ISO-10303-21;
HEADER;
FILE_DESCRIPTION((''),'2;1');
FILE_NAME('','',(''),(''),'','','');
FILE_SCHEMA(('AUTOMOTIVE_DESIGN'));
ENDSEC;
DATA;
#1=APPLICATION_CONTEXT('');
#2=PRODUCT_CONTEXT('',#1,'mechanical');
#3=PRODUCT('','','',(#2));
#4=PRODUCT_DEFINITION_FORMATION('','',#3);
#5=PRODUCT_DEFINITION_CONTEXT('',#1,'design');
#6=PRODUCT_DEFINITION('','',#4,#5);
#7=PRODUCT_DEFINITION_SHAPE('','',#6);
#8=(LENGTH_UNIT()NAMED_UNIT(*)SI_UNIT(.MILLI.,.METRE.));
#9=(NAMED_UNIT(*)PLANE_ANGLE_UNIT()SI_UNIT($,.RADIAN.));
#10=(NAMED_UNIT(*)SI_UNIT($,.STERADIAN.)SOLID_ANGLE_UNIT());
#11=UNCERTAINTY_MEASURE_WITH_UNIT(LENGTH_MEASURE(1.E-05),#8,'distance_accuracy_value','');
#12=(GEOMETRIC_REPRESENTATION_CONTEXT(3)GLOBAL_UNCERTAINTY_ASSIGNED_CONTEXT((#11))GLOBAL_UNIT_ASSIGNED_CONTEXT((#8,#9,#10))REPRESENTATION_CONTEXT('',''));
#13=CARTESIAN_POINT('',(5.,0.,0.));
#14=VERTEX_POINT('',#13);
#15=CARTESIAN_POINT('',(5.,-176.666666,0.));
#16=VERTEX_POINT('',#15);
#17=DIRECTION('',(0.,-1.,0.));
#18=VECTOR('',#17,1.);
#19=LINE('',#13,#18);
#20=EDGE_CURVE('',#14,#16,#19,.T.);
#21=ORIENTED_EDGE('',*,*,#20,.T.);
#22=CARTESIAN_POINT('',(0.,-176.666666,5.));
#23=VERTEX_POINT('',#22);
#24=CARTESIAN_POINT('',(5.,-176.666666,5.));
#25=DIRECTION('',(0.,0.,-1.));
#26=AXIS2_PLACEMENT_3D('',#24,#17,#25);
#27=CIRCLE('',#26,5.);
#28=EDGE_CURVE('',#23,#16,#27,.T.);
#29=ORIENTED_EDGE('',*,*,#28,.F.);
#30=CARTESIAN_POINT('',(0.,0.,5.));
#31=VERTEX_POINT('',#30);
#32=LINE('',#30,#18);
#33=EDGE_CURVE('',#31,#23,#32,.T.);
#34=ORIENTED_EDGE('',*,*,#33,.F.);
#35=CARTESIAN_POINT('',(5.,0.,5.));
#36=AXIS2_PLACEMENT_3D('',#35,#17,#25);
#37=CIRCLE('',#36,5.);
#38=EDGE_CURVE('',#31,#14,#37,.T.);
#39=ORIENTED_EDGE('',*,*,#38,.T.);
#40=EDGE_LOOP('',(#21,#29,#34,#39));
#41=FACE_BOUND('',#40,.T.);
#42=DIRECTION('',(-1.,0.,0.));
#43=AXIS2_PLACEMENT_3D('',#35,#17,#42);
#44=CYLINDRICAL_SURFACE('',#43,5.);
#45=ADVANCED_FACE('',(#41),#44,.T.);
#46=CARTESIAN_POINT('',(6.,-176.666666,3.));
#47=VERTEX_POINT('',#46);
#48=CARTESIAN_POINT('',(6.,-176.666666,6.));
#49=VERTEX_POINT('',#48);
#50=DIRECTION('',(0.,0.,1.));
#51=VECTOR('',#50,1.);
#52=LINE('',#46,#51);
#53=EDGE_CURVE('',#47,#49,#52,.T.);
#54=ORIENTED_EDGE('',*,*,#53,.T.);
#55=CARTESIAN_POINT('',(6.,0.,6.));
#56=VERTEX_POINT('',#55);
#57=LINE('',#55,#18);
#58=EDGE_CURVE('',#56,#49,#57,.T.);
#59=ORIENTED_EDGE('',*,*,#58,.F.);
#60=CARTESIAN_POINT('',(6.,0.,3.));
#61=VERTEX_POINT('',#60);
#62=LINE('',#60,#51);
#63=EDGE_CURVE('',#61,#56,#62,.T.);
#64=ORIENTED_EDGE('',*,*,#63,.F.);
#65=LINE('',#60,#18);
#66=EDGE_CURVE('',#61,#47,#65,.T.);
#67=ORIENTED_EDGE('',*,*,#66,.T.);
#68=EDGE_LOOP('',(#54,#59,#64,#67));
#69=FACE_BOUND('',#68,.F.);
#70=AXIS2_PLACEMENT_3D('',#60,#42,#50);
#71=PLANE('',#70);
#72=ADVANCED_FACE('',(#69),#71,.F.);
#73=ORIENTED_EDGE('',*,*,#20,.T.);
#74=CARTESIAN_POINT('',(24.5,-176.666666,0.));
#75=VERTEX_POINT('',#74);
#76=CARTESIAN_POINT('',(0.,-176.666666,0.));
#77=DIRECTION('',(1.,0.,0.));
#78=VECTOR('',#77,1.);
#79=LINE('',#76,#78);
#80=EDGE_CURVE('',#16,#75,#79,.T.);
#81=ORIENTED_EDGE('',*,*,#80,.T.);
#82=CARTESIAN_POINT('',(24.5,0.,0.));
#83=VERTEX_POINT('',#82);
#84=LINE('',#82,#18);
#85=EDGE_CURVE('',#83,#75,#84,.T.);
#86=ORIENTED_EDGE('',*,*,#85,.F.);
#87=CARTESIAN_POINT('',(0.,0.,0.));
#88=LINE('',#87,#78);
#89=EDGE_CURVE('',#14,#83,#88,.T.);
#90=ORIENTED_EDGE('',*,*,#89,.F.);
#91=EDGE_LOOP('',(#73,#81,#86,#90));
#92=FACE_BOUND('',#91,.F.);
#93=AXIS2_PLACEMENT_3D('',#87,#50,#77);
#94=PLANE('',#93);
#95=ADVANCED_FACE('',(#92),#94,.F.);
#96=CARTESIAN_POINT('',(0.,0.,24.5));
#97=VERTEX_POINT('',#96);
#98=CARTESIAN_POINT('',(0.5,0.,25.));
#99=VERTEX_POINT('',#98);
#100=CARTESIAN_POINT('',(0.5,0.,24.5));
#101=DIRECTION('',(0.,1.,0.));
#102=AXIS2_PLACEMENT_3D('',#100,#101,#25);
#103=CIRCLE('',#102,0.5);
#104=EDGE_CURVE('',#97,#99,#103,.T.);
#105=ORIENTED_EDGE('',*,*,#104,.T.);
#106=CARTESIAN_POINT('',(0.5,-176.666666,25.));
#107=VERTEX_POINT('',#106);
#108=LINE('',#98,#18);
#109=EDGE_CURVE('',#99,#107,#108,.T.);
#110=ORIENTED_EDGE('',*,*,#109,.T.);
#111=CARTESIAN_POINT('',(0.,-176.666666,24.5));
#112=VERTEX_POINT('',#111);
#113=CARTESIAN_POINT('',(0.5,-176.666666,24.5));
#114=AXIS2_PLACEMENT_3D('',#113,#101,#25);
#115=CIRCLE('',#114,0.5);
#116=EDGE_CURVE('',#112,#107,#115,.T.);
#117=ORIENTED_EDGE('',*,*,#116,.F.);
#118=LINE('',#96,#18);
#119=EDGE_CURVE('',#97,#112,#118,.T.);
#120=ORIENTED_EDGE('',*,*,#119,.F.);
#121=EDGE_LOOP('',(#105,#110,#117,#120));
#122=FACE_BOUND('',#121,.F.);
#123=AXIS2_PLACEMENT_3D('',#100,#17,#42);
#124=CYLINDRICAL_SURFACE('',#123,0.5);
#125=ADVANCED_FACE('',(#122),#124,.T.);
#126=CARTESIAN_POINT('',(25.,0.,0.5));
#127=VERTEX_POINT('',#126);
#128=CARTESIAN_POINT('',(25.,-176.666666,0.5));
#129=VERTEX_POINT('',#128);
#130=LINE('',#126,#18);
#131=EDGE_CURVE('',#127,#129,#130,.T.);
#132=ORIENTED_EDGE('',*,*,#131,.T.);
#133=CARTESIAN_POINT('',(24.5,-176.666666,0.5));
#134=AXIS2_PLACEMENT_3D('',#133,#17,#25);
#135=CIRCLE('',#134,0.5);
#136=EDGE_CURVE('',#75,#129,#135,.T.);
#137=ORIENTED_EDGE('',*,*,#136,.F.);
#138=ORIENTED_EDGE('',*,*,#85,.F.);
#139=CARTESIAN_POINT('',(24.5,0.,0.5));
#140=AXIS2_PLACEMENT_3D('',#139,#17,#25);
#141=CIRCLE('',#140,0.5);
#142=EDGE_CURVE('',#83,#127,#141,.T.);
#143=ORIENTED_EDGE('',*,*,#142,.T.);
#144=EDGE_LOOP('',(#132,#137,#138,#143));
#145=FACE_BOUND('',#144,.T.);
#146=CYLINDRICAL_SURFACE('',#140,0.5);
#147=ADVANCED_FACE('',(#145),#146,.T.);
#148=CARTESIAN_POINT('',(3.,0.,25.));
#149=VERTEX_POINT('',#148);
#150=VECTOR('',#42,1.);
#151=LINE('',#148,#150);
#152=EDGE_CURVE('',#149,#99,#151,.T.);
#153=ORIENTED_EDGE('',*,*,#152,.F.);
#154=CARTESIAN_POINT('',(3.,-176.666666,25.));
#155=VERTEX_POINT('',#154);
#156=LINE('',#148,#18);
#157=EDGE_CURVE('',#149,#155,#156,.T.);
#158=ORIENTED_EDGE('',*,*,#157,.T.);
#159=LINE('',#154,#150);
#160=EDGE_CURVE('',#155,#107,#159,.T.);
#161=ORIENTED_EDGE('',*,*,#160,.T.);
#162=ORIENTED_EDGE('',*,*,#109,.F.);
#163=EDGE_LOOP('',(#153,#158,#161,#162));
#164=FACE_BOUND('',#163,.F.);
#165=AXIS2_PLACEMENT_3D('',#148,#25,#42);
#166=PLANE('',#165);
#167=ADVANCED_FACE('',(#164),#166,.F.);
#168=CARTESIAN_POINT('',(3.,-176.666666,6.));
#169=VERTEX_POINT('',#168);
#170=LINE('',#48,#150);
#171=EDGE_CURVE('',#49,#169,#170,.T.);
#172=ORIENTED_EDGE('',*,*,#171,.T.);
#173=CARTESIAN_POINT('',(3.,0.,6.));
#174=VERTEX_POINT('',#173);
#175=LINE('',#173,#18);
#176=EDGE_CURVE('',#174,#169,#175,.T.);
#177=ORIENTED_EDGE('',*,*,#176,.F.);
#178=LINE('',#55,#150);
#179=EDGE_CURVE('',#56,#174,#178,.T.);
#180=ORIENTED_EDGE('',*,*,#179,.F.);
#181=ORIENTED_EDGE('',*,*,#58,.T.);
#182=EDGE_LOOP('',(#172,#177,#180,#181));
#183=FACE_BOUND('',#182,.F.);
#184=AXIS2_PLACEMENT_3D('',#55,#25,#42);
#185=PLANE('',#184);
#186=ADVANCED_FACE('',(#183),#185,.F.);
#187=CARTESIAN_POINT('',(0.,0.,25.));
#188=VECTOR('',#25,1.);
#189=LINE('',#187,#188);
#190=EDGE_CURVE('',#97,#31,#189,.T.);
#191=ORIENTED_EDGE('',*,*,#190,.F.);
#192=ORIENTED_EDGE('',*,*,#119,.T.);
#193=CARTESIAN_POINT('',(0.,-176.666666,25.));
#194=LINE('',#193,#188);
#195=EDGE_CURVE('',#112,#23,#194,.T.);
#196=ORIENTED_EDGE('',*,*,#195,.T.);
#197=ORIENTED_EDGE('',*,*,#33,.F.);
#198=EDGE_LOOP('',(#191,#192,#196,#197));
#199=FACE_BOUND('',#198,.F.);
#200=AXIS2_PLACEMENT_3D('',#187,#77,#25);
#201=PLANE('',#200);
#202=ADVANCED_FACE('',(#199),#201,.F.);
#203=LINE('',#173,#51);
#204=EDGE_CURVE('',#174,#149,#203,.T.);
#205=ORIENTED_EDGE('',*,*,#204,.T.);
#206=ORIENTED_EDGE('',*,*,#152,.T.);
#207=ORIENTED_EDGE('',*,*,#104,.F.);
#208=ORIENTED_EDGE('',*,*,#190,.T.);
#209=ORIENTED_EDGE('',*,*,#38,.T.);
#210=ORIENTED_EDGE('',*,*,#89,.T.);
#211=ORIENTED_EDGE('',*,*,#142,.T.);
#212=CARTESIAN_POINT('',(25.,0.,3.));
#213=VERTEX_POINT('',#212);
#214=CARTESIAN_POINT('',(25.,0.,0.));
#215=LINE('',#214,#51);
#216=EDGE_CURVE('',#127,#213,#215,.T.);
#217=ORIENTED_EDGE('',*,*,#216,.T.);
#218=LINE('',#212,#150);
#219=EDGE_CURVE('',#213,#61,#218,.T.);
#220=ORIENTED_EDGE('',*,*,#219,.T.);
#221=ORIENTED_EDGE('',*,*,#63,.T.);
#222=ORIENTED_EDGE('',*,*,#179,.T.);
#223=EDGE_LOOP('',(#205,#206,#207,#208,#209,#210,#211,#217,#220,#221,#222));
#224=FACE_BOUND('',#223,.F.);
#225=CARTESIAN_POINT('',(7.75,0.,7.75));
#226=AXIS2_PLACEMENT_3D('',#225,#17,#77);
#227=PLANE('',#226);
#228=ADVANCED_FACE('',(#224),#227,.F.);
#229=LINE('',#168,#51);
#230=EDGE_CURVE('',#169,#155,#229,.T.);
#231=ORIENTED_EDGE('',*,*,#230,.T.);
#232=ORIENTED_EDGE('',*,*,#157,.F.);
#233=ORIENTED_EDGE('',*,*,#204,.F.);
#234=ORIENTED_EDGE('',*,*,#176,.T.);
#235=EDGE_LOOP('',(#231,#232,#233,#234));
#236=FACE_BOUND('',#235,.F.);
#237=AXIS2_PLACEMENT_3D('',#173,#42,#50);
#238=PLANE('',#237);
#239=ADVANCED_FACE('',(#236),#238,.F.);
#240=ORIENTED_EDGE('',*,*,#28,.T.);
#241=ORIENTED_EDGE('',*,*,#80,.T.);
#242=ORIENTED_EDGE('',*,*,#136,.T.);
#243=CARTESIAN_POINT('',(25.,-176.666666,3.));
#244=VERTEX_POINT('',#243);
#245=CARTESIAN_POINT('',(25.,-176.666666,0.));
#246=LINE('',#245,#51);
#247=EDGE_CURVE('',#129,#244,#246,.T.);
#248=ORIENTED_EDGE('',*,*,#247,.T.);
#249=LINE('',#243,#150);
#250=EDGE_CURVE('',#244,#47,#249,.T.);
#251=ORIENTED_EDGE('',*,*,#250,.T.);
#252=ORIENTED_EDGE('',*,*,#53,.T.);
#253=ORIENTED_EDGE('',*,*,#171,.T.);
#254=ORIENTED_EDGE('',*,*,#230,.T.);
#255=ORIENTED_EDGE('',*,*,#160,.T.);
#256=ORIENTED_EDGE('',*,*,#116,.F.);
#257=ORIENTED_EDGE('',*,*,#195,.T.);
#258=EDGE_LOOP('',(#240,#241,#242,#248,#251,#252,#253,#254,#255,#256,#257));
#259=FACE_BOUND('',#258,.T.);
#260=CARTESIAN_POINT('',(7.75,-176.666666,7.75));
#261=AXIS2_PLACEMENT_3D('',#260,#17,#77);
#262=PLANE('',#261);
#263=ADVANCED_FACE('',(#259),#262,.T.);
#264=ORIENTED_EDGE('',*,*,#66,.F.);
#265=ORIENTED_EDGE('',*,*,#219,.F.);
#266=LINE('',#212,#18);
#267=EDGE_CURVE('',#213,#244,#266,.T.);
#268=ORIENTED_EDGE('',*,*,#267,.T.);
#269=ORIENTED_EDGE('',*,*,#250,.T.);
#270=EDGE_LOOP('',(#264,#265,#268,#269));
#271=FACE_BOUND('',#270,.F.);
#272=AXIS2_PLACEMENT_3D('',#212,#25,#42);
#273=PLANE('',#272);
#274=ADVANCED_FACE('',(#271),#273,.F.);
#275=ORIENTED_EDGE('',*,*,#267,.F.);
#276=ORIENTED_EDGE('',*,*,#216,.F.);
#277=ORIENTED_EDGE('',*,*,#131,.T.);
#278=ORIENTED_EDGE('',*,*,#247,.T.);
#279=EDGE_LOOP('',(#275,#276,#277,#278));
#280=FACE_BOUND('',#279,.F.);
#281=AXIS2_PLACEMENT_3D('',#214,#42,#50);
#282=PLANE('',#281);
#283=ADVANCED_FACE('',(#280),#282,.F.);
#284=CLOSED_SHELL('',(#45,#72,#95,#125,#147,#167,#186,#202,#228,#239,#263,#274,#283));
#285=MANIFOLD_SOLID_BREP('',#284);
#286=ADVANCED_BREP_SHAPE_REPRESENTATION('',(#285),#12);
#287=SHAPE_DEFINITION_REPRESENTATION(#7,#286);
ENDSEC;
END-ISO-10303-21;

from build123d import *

# Parameters (mm, degrees)
F1_DEPTH = 176.666666
F2_R     = 5
F3_R     = 0.5


with BuildPart() as f1:
    # F0 (on Front) → F1 (new body)
    with BuildSketch(Plane.XZ):
        Polygon((3, 25), (0, 25), (0, 0), (25, 0), (25, 3), (6, 3), (6, 6), (3, 6), align=None)
    extrude(amount=F1_DEPTH)

    # F2
    f2_edges = [f1.edges().sort_by_distance(p)[0] for p in [
        (0, -88.333333, 0),
    ]]
    fillet(f2_edges, radius=F2_R)

    # F3
    f3_edges = [f1.edges().sort_by_distance(p)[0] for p in [
        (0, -88.333333, 25),
        (25, -88.333333, 0),
    ]]
    fillet(f3_edges, radius=F3_R)


solid = f1.part
